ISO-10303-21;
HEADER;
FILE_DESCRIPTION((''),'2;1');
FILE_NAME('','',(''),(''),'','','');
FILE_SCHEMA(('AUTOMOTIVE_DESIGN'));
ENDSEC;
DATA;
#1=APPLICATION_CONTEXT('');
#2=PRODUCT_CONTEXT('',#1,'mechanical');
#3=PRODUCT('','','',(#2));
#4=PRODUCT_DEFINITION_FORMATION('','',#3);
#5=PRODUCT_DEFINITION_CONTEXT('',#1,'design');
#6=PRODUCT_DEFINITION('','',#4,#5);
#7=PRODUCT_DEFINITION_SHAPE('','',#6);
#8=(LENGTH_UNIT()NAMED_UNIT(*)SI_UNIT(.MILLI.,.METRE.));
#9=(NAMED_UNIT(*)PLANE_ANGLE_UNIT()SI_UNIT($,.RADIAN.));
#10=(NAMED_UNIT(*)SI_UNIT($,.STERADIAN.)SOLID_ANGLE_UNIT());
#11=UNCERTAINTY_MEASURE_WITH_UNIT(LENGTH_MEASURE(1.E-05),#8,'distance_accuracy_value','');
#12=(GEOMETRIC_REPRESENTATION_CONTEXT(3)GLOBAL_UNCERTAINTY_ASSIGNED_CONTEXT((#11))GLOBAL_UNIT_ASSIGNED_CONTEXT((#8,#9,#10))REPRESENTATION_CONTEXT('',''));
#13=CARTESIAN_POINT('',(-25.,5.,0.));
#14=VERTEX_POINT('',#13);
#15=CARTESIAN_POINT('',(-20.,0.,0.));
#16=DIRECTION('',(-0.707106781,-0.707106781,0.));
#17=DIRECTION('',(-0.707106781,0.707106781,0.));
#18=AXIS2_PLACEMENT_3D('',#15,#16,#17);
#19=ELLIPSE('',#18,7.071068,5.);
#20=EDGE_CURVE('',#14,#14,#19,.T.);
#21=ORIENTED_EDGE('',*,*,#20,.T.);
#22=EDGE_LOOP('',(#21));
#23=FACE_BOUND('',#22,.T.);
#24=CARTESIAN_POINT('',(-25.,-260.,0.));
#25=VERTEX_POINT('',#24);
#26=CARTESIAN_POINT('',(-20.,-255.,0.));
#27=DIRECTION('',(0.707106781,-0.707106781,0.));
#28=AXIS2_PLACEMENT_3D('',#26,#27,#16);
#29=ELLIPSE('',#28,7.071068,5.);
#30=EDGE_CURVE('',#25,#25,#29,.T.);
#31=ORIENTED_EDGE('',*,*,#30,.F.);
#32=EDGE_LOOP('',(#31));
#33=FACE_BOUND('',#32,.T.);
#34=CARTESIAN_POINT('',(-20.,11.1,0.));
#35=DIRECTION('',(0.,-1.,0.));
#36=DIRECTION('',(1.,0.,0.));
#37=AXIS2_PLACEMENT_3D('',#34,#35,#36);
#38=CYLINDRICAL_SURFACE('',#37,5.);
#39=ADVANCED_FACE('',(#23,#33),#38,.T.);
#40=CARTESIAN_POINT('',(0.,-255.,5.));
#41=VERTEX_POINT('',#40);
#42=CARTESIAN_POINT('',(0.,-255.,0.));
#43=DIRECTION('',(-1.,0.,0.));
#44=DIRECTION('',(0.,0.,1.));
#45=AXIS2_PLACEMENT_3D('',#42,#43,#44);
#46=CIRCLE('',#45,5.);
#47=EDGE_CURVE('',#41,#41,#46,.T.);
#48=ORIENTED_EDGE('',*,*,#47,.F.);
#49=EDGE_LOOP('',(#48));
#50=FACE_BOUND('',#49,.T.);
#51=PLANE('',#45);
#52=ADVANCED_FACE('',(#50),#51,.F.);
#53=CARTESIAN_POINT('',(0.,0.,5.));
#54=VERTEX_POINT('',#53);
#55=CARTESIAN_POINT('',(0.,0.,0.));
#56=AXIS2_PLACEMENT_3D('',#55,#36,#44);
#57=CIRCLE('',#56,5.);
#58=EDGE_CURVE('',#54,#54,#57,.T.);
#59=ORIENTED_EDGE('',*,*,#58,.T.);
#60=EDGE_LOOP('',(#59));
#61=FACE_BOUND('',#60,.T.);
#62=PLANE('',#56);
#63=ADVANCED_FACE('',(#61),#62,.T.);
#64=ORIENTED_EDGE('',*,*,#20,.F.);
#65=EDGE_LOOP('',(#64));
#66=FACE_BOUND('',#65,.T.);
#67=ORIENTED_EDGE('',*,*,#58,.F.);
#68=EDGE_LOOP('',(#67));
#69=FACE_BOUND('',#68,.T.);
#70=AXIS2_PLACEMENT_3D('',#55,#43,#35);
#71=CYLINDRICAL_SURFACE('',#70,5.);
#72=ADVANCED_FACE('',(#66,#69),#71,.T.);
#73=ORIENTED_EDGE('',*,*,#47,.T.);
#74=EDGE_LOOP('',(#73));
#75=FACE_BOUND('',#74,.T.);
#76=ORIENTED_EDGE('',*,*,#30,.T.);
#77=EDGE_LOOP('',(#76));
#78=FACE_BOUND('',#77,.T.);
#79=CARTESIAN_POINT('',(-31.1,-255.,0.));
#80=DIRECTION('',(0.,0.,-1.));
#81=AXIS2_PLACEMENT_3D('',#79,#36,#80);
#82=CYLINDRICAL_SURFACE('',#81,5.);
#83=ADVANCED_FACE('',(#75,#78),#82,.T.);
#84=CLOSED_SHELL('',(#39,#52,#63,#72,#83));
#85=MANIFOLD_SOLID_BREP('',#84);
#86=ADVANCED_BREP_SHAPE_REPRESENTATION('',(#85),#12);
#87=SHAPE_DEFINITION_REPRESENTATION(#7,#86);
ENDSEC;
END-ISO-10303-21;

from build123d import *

# Parameters (mm, degrees)
SWEEP1_PROFILE_R = 5


with BuildPart() as part:
    # Sweep1: sweep along a path in Sketch1
    with BuildLine(Plane.XY) as sweep1_path:
        Line((0, 0), (-20, 0))
        Line((-20, 0), (-20, -255))
        Line((-20, -255), (0, -255))
    # Sweep1 profile (on start of the path) → Sweep1 (sweep)
    with BuildSketch(Plane(origin=(0, 0, 0), x_dir=(0, -1, 0), z_dir=(-1, 0, 0))):
        Circle(SWEEP1_PROFILE_R)
    sweep(path=sweep1_path.line, transition=Transition.RIGHT)


solid = part.part
